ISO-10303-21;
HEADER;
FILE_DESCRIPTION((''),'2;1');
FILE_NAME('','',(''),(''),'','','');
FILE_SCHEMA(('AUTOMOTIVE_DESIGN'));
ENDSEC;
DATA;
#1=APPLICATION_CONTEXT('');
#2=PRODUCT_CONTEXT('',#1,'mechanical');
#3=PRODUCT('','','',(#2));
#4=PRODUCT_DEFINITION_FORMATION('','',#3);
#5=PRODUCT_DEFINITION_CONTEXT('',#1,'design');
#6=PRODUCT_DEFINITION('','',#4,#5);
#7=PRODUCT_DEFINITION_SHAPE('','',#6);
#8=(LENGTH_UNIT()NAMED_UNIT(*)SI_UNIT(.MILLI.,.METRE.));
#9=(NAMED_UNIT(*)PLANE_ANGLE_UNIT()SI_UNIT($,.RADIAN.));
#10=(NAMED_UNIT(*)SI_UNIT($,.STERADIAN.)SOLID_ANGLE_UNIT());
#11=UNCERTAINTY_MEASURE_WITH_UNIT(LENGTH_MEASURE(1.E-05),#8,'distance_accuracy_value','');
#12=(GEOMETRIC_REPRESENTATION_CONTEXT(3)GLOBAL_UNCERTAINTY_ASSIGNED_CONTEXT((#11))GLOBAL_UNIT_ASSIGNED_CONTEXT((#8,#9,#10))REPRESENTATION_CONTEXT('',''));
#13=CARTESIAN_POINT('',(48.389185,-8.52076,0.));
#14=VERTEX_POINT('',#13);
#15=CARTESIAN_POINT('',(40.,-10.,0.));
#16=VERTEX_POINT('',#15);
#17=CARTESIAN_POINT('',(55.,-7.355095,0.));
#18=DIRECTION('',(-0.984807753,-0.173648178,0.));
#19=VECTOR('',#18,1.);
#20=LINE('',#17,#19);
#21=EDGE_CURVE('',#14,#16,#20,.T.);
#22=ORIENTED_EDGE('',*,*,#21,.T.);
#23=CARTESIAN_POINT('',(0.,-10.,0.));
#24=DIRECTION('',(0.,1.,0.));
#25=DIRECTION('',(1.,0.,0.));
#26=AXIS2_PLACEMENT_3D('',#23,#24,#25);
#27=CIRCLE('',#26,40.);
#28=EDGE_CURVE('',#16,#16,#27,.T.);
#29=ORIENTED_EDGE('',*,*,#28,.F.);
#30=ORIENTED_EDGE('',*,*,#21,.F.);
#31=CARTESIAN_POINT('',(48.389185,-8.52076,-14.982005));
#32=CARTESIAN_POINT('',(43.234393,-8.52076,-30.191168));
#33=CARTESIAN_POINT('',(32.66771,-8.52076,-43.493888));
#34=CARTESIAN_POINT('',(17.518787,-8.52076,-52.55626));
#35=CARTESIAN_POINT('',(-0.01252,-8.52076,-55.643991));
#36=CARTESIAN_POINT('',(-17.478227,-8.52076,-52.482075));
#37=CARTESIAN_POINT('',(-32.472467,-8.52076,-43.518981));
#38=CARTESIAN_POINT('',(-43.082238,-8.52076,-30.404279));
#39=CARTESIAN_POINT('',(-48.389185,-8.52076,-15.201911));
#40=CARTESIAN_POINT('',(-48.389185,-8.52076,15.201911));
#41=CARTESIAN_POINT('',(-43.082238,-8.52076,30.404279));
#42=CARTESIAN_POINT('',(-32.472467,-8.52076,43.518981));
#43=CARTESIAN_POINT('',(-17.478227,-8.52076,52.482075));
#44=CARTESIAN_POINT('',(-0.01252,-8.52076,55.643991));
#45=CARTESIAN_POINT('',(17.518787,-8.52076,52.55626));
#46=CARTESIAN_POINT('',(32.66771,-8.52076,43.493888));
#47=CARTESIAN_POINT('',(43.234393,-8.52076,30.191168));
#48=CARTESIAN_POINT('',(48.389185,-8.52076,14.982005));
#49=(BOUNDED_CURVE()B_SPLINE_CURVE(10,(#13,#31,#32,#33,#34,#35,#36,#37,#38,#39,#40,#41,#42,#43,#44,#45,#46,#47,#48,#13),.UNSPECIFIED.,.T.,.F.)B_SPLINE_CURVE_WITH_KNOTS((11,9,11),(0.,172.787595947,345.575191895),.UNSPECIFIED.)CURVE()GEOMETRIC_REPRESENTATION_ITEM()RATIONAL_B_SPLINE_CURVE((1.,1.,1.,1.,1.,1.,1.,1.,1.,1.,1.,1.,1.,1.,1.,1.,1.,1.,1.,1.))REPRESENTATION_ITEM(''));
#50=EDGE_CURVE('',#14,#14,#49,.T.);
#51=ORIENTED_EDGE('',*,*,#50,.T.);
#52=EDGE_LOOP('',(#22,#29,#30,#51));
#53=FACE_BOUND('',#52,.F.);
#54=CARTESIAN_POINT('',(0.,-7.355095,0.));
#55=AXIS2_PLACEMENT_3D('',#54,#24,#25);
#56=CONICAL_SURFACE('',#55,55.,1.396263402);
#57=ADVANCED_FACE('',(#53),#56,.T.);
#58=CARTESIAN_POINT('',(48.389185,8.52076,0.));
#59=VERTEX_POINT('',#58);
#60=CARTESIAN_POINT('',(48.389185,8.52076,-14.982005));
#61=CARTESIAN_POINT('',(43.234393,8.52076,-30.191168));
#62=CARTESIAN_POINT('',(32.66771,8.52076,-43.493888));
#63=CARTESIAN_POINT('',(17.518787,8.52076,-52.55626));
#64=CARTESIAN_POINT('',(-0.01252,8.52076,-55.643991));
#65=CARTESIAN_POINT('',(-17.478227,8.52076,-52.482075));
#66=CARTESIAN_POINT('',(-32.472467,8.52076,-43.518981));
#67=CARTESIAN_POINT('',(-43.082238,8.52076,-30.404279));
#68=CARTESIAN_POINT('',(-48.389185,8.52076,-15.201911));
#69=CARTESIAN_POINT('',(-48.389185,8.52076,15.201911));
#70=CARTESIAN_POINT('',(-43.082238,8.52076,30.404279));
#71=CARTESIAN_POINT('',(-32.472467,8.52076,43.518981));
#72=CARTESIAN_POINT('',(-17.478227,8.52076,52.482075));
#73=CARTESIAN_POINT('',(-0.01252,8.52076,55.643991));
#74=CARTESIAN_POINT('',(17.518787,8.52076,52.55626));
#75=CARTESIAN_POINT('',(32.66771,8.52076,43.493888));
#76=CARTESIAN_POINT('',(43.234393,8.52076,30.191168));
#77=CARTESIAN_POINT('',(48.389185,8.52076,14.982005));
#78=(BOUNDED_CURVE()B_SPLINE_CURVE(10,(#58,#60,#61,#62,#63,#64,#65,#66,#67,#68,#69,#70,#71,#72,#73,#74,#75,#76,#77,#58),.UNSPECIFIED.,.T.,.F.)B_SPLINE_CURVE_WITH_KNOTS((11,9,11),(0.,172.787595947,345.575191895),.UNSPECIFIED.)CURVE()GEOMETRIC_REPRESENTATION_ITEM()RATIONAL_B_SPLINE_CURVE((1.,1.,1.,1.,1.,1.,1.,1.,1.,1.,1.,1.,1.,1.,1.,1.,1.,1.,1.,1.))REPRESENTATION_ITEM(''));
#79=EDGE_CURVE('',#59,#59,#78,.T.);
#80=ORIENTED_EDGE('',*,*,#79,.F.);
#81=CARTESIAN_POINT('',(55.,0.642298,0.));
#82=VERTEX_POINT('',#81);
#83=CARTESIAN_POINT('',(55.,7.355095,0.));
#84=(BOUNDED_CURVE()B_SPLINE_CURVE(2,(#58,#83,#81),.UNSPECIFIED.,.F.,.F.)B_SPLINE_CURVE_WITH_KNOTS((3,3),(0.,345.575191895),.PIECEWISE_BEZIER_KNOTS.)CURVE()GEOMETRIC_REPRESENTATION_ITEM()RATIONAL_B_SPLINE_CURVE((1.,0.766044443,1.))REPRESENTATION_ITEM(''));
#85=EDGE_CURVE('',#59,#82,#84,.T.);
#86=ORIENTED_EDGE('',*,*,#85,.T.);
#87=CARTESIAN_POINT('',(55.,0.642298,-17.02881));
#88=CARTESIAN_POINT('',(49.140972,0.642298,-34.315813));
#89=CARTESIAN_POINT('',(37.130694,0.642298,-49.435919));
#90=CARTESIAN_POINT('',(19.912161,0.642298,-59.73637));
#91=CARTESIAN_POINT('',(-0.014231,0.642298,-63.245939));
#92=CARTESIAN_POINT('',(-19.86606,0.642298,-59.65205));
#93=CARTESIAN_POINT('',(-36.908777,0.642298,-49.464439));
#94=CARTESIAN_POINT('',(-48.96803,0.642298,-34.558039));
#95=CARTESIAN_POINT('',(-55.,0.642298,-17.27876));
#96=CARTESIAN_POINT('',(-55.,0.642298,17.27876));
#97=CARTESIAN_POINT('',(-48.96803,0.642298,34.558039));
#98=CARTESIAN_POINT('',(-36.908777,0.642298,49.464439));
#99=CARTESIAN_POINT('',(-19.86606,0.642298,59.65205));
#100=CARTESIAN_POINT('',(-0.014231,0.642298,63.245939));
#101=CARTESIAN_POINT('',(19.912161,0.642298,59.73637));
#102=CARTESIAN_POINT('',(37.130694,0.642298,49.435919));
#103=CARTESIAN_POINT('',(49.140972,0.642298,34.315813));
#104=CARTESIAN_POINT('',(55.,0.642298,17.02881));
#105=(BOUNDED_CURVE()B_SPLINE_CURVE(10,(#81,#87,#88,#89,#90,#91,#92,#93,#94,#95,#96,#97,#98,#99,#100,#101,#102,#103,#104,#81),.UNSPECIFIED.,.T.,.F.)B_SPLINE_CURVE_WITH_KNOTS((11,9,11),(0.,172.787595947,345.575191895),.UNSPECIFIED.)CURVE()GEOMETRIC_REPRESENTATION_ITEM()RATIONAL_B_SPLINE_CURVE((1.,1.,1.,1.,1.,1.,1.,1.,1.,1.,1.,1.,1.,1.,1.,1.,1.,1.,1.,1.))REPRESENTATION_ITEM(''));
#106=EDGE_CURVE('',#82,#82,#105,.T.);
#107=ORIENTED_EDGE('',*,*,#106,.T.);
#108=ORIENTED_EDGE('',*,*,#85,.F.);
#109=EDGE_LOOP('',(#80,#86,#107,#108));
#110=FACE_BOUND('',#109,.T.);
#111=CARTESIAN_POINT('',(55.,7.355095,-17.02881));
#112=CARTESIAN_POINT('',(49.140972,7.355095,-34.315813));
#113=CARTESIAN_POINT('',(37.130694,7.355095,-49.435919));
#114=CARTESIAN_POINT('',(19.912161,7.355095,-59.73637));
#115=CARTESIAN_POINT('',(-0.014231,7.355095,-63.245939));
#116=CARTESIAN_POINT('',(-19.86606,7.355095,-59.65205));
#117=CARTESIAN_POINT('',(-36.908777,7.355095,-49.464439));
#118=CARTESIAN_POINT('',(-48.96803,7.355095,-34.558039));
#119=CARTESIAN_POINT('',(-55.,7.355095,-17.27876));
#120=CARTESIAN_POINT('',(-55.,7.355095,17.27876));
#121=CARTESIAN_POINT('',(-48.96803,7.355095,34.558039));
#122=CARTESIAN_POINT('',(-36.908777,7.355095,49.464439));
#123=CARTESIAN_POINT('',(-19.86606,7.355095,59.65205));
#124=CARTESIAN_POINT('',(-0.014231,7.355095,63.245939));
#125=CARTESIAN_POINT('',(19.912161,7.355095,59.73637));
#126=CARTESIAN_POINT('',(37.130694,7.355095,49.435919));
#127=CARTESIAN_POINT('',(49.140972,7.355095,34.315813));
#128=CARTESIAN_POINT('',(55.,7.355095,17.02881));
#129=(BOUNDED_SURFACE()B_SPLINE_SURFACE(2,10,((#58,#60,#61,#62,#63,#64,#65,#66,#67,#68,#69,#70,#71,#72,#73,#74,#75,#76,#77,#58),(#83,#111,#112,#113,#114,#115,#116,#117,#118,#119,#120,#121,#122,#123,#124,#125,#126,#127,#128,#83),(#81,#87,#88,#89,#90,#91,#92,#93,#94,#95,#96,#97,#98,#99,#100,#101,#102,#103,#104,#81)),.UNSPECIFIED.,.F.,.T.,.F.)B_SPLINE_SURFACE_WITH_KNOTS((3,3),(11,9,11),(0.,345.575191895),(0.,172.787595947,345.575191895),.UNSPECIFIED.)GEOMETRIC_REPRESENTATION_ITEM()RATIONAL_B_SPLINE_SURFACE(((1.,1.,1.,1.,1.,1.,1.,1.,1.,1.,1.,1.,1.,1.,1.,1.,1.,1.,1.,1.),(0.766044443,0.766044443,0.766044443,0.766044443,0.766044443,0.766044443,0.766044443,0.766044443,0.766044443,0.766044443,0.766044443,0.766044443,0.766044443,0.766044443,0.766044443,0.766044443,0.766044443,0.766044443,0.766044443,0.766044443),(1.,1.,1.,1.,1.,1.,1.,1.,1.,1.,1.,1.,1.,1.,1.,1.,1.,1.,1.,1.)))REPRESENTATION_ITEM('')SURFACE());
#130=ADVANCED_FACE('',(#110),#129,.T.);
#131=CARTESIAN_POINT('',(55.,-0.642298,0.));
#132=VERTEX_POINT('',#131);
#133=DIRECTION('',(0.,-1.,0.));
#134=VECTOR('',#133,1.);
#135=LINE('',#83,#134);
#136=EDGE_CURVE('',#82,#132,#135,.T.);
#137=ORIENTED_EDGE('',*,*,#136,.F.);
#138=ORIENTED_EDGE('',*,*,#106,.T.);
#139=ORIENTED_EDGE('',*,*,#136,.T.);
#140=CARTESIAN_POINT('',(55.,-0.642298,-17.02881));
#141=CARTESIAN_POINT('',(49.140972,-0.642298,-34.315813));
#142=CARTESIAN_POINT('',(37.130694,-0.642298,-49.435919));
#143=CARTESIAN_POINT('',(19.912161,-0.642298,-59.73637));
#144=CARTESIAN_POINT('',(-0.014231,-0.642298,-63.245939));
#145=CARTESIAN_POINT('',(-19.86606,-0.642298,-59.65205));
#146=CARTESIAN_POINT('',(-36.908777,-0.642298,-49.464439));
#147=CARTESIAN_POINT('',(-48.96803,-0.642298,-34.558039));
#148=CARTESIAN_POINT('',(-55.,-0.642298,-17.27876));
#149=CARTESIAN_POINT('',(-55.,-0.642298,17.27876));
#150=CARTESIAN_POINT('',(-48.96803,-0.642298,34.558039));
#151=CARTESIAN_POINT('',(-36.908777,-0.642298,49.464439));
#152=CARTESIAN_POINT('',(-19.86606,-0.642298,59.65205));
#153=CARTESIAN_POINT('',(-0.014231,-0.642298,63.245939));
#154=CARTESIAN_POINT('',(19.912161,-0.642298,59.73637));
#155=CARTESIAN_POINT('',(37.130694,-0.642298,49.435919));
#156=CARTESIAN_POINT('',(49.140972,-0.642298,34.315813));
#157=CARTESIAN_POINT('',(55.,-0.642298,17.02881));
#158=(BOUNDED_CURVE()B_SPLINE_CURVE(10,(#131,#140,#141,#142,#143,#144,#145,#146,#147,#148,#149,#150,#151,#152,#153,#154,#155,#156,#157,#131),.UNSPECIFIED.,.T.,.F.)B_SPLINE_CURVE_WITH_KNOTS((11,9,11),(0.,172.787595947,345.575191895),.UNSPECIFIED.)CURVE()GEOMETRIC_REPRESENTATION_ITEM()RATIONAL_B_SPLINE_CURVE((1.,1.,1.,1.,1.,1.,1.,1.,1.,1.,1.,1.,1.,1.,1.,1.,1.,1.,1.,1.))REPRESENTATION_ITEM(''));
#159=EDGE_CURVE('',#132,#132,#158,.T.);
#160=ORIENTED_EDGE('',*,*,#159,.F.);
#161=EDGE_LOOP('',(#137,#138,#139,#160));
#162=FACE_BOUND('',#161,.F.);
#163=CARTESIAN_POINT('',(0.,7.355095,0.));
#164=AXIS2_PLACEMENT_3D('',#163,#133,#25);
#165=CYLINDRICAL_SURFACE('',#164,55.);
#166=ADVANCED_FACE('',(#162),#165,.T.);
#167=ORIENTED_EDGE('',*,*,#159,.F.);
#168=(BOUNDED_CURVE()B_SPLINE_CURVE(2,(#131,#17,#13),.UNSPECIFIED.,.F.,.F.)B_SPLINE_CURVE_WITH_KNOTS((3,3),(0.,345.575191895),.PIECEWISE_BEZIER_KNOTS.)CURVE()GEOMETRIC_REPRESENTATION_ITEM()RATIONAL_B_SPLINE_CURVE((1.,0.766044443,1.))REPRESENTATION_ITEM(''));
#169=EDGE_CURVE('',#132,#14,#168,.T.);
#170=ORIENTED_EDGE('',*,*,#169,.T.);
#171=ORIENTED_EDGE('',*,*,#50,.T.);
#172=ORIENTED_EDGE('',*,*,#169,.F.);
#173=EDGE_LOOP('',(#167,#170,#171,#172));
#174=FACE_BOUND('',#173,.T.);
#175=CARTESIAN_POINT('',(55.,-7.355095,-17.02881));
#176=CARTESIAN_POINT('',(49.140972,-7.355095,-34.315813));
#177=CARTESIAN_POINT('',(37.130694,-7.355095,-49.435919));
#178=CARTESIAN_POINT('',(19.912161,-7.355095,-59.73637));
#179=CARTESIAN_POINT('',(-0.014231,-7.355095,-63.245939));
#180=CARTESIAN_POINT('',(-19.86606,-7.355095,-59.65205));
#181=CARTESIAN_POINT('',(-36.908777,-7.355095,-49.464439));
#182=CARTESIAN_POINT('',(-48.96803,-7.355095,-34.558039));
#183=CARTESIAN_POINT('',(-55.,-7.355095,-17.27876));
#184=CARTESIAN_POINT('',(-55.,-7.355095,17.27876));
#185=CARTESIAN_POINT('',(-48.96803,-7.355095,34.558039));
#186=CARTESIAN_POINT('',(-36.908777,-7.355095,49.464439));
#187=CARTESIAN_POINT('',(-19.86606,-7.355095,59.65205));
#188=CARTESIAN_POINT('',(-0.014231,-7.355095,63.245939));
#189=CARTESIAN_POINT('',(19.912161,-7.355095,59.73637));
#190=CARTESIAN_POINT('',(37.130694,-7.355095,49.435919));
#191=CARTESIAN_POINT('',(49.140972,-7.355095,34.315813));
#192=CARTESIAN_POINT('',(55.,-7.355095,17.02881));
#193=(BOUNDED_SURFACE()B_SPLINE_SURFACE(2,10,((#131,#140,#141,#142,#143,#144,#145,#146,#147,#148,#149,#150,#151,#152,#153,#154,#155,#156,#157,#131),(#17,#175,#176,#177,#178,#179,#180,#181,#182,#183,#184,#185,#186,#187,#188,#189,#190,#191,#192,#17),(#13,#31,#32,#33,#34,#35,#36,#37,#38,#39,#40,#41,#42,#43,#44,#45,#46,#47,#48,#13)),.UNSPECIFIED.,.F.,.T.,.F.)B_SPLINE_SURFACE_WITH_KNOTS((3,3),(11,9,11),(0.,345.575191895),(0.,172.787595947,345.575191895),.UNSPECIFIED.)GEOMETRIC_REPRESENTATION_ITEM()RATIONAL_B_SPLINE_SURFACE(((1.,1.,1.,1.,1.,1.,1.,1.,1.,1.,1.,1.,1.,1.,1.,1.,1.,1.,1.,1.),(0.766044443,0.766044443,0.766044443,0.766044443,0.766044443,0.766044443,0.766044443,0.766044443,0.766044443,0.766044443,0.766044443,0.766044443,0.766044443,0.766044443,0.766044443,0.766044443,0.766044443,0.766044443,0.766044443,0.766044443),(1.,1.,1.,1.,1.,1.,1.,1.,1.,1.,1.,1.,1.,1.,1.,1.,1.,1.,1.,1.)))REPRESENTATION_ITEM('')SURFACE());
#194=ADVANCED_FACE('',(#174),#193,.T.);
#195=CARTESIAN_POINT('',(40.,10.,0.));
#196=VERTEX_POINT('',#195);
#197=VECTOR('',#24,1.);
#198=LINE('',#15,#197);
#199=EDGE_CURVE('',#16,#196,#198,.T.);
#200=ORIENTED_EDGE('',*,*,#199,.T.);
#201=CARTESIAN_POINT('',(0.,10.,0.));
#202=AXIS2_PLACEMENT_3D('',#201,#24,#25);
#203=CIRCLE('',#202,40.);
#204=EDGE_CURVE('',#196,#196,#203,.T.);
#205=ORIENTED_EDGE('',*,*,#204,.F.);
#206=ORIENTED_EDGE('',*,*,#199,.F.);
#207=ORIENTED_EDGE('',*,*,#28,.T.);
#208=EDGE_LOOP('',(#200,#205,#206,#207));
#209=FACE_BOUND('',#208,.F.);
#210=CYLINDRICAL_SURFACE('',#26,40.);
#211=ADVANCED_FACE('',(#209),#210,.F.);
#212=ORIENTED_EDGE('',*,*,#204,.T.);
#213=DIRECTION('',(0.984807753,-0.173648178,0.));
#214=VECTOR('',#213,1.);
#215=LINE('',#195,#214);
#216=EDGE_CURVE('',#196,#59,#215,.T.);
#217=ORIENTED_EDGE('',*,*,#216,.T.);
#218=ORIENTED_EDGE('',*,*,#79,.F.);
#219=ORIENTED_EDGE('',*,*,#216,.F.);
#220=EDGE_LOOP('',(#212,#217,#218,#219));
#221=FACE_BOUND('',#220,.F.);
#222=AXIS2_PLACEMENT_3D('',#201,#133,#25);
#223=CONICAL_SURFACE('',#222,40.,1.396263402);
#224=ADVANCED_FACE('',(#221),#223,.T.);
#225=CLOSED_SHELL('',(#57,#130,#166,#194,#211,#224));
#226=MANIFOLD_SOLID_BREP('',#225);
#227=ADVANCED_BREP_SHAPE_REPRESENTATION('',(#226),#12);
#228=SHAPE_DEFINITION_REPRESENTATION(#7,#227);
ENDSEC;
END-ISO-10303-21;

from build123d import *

# Parameters (mm, degrees)
FILLET1_R = 8


with BuildPart() as part:
    # Sketch2 → Revolve1 (revolve)
    with BuildSketch(Plane.XY):
        Polygon((40, -10), (40, 10), (55, 7.355095289), (55, -7.355095289), align=None)
    revolve(axis=Axis((0, 0, 0), (0, 1, 0)))

    # Fillet1
    fillet1_edges = [part.edges().sort_by_distance(p)[0] for p in [
        (-55, -7.355095289, 0),
        (-55, 7.355095289, 0),
    ]]
    fillet(fillet1_edges, radius=FILLET1_R)


solid = part.part
